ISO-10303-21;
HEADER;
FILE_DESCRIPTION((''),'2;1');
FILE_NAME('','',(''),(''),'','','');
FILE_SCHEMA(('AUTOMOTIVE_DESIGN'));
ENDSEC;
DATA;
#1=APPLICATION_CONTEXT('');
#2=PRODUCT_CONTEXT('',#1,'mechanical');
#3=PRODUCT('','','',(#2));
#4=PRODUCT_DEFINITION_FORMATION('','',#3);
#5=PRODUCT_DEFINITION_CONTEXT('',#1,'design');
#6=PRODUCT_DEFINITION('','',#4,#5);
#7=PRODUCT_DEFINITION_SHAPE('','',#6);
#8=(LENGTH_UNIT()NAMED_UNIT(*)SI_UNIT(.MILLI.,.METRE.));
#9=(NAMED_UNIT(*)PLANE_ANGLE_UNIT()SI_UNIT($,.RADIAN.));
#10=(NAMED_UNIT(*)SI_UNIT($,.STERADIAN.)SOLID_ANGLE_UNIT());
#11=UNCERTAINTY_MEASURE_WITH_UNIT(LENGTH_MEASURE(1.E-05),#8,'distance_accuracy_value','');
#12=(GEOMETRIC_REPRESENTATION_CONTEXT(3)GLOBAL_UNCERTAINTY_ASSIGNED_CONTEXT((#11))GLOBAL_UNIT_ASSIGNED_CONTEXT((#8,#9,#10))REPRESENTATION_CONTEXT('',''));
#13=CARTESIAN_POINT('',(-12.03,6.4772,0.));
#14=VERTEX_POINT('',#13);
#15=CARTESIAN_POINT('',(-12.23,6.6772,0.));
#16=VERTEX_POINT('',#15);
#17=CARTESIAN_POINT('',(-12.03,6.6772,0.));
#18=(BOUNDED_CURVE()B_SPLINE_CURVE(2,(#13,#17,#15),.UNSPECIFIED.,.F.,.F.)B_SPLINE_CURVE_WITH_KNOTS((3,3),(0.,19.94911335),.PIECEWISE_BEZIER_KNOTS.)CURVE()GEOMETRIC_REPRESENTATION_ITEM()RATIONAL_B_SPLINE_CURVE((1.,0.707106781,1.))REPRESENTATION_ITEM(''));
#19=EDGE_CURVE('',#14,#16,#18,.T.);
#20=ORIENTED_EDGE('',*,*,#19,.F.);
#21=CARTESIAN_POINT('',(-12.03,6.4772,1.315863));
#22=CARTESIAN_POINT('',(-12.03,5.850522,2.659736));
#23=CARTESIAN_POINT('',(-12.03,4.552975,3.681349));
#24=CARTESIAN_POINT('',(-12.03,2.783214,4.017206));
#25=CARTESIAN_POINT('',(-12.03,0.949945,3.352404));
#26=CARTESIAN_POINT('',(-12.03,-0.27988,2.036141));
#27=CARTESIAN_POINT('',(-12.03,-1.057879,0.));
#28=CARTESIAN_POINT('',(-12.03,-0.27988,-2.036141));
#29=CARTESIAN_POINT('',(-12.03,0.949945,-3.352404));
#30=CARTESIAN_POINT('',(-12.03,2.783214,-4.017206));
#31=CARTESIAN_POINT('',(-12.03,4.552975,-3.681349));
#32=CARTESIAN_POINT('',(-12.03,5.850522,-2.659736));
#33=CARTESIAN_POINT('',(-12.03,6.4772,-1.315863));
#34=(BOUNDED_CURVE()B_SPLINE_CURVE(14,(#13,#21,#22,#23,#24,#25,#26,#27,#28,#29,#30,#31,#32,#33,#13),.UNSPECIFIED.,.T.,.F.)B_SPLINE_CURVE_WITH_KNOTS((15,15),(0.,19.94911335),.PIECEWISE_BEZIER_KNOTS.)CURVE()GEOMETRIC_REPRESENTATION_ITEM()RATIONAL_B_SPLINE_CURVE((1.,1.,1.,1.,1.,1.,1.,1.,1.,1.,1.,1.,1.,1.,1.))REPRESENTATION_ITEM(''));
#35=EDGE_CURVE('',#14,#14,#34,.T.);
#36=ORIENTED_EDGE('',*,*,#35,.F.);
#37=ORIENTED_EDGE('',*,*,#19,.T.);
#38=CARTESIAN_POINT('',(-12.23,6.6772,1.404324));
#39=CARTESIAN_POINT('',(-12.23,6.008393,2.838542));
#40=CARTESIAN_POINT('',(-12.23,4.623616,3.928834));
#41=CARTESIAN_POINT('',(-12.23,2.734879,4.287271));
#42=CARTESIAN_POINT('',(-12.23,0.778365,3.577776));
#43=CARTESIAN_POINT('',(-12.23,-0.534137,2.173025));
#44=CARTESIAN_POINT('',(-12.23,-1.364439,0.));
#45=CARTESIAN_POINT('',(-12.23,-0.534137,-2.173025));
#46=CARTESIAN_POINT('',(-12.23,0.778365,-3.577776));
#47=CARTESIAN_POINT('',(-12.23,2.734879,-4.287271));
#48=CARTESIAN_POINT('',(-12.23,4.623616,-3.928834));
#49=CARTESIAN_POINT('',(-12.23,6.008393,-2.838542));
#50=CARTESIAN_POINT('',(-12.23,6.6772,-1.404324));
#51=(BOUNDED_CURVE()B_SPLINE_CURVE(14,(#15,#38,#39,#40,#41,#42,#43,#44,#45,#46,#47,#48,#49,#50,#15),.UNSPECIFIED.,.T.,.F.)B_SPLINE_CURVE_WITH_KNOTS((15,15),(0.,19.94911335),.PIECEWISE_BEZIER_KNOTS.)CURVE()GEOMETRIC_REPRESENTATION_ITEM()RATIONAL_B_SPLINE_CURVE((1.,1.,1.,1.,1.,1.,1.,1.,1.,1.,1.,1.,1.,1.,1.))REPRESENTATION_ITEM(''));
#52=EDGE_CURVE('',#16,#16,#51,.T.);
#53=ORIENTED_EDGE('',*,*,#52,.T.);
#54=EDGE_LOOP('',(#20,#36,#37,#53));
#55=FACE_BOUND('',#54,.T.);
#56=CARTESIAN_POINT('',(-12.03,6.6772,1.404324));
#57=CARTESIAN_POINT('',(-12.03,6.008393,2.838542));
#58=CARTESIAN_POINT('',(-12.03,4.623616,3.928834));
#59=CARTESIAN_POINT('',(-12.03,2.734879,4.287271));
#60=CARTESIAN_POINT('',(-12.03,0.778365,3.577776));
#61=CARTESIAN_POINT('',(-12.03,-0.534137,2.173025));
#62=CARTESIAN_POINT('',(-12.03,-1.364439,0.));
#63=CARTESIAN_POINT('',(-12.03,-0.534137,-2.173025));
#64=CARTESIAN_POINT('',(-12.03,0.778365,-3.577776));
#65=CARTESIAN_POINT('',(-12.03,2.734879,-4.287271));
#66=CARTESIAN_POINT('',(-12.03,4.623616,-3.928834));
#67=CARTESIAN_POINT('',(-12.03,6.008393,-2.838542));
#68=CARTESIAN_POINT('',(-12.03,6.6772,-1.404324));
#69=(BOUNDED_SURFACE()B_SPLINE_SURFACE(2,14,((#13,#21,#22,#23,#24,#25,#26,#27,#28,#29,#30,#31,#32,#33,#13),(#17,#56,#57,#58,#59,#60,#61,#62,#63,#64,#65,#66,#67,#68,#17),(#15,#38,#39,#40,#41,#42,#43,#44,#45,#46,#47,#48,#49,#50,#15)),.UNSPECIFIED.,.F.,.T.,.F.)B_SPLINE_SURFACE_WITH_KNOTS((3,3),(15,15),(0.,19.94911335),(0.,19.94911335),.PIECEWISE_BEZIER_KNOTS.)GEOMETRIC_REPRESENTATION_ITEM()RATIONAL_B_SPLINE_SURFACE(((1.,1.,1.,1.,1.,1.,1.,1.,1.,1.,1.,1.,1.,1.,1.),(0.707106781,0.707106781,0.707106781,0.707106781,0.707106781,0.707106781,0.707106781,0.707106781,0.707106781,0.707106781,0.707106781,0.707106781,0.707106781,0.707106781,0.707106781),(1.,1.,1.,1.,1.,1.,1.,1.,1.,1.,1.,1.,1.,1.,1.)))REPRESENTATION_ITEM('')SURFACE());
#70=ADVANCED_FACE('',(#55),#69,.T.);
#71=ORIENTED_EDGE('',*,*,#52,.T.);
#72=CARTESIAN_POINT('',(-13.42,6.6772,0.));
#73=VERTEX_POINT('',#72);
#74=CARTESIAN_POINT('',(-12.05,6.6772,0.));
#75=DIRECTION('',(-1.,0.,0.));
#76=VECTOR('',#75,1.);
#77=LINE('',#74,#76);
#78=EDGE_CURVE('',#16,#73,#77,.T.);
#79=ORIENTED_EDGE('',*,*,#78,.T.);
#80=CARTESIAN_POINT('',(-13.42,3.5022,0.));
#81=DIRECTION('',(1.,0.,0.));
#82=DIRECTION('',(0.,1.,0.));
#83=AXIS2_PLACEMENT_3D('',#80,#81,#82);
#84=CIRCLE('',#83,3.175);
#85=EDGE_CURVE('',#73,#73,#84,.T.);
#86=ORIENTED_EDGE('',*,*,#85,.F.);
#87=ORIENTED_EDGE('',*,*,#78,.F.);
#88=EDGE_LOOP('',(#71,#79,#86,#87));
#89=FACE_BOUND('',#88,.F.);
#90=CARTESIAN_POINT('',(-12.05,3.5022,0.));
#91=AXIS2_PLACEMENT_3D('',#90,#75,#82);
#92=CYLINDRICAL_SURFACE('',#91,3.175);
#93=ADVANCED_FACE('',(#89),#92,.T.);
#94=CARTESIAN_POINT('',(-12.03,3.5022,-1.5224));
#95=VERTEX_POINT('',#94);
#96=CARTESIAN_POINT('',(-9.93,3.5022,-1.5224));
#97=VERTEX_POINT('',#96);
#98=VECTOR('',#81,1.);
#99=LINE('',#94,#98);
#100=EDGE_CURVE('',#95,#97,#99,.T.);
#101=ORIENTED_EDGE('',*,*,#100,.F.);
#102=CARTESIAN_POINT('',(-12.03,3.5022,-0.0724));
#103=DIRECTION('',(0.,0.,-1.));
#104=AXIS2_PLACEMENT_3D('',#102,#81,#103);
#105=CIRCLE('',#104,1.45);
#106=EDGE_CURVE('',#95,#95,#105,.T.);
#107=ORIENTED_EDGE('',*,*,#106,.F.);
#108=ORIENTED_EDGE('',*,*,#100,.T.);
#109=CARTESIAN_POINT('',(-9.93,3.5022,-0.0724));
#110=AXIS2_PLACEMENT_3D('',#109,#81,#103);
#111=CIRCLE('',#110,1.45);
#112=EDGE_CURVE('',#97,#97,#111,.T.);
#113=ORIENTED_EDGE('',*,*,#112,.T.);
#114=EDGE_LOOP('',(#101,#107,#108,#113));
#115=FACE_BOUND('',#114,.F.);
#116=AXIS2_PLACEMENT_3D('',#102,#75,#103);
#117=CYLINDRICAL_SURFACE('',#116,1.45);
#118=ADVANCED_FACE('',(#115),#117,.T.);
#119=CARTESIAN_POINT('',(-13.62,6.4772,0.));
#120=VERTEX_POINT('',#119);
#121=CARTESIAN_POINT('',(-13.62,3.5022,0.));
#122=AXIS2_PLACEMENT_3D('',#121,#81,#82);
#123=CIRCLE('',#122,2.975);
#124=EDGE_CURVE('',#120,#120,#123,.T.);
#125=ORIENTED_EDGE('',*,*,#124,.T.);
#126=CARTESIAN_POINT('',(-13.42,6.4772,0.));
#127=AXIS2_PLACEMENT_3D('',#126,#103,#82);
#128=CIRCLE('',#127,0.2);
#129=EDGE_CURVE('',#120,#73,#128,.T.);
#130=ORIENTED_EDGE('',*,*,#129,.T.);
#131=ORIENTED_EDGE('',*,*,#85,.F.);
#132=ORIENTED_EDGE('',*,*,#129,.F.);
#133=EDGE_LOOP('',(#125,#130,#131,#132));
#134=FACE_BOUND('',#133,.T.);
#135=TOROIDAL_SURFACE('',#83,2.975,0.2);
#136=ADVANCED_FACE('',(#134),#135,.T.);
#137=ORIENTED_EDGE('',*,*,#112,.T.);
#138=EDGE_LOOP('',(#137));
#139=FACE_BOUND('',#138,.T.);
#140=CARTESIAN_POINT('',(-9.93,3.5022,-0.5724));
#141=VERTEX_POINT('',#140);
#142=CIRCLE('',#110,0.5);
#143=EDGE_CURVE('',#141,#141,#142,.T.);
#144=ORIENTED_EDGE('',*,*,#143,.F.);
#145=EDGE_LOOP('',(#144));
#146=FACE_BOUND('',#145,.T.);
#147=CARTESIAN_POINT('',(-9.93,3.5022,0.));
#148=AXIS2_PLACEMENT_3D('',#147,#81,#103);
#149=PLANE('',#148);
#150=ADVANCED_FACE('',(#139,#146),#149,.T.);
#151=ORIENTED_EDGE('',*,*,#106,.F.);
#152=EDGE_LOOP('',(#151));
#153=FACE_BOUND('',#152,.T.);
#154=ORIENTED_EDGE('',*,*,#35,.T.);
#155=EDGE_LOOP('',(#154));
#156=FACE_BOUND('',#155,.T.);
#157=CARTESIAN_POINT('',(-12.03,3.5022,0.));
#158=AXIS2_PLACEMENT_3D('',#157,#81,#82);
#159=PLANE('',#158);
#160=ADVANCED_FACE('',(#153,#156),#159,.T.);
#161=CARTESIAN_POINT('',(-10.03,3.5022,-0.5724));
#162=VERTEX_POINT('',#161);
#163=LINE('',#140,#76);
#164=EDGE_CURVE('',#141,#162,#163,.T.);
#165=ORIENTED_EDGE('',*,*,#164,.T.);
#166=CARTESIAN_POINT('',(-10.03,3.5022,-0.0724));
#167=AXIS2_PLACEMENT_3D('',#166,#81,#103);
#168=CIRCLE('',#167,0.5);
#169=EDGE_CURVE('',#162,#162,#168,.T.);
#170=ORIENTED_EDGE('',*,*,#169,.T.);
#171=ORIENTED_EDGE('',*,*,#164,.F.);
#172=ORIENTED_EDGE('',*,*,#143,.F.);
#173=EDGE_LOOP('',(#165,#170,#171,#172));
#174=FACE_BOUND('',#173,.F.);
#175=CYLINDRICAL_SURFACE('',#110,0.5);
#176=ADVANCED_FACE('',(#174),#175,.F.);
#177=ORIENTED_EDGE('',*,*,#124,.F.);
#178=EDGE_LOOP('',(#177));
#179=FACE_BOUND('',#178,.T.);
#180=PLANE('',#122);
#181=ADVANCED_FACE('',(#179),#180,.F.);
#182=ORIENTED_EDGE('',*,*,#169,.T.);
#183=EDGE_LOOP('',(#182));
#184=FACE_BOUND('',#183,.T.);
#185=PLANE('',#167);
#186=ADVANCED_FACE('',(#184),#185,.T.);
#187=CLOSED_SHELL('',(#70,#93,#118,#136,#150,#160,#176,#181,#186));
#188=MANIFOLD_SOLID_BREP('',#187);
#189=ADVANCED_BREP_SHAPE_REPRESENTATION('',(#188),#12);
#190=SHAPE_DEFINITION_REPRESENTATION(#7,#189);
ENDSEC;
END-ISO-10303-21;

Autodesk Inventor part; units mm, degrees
ref_plane "YZ Plane" through (0, 0, 0) normal (1, 0, 0) x (0, 1, 0)
ref_plane "XZ Plane" through (0, 0, 0) normal (0, 1, 0) x (-1, 0, 0)
ref_plane "XY Plane" through (0, 0, 0) normal (0, 0, 1) x (1, 0, 0)
sketch "Sketch1" plane through (0, 0, 0) normal (0, 0, 1) x (1, 0, 0)
  point P0 (0, 0)
sketch "Sketch9" plane through (0, 0, 0) normal (0, 0, 1) x (1, 0, 0)
  line L0 (-12.03, 6.6772) -> (-12.03, 3.5022)
  line L1 (-13.62, 3.5022) -> (-13.62, 6.6772)
  line L2 (-12.05, 6.6772) -> (-13.62, 6.6772)
  line L3 (-13.62, 6.6772) -> (-12.03, 6.6772)
  line L4 (-13.62, 3.5022) -> (-12.03, 3.5022)
  point P0 (0, 0)
  dimension "d87" = 12.03
  dimension "d90" = 3.175
revolve "Revolution1" add sketch "Sketch9" angle 360 about axis through (-13.62, 3.5022, 0) along (1, 0, 0)
sketch "Sketch10" plane through (-12.03, 3.5022, 0) normal (1, 0, 0) x (0, 0, -1)
  circle A0 centre (0.0724, 0) radius 1.45
  point P0 (0, -3.5022)
fillet "Fillet11" radius 0.2 2 edges at (-12.03, 0.3272, 0) (-13.62, 0.3272, 0)
extrude "Extrusion7" add sketch "Sketch10" along normal blind 2.1
sketch "Sketch12" plane through (-9.93, 3.5022, -0.0724) normal (1, 0, 0) x (0, 0, -1)
  circle A0 centre (0, 0) radius 1.45 projected
  circle A1 centre (0, 0) radius 0.5
  point P0 (-0.0724, -3.5022)
extrude "Extrusion10" cut sketch "Sketch12" against normal blind 0.1 contours A1
properties part number "falsarueda"
